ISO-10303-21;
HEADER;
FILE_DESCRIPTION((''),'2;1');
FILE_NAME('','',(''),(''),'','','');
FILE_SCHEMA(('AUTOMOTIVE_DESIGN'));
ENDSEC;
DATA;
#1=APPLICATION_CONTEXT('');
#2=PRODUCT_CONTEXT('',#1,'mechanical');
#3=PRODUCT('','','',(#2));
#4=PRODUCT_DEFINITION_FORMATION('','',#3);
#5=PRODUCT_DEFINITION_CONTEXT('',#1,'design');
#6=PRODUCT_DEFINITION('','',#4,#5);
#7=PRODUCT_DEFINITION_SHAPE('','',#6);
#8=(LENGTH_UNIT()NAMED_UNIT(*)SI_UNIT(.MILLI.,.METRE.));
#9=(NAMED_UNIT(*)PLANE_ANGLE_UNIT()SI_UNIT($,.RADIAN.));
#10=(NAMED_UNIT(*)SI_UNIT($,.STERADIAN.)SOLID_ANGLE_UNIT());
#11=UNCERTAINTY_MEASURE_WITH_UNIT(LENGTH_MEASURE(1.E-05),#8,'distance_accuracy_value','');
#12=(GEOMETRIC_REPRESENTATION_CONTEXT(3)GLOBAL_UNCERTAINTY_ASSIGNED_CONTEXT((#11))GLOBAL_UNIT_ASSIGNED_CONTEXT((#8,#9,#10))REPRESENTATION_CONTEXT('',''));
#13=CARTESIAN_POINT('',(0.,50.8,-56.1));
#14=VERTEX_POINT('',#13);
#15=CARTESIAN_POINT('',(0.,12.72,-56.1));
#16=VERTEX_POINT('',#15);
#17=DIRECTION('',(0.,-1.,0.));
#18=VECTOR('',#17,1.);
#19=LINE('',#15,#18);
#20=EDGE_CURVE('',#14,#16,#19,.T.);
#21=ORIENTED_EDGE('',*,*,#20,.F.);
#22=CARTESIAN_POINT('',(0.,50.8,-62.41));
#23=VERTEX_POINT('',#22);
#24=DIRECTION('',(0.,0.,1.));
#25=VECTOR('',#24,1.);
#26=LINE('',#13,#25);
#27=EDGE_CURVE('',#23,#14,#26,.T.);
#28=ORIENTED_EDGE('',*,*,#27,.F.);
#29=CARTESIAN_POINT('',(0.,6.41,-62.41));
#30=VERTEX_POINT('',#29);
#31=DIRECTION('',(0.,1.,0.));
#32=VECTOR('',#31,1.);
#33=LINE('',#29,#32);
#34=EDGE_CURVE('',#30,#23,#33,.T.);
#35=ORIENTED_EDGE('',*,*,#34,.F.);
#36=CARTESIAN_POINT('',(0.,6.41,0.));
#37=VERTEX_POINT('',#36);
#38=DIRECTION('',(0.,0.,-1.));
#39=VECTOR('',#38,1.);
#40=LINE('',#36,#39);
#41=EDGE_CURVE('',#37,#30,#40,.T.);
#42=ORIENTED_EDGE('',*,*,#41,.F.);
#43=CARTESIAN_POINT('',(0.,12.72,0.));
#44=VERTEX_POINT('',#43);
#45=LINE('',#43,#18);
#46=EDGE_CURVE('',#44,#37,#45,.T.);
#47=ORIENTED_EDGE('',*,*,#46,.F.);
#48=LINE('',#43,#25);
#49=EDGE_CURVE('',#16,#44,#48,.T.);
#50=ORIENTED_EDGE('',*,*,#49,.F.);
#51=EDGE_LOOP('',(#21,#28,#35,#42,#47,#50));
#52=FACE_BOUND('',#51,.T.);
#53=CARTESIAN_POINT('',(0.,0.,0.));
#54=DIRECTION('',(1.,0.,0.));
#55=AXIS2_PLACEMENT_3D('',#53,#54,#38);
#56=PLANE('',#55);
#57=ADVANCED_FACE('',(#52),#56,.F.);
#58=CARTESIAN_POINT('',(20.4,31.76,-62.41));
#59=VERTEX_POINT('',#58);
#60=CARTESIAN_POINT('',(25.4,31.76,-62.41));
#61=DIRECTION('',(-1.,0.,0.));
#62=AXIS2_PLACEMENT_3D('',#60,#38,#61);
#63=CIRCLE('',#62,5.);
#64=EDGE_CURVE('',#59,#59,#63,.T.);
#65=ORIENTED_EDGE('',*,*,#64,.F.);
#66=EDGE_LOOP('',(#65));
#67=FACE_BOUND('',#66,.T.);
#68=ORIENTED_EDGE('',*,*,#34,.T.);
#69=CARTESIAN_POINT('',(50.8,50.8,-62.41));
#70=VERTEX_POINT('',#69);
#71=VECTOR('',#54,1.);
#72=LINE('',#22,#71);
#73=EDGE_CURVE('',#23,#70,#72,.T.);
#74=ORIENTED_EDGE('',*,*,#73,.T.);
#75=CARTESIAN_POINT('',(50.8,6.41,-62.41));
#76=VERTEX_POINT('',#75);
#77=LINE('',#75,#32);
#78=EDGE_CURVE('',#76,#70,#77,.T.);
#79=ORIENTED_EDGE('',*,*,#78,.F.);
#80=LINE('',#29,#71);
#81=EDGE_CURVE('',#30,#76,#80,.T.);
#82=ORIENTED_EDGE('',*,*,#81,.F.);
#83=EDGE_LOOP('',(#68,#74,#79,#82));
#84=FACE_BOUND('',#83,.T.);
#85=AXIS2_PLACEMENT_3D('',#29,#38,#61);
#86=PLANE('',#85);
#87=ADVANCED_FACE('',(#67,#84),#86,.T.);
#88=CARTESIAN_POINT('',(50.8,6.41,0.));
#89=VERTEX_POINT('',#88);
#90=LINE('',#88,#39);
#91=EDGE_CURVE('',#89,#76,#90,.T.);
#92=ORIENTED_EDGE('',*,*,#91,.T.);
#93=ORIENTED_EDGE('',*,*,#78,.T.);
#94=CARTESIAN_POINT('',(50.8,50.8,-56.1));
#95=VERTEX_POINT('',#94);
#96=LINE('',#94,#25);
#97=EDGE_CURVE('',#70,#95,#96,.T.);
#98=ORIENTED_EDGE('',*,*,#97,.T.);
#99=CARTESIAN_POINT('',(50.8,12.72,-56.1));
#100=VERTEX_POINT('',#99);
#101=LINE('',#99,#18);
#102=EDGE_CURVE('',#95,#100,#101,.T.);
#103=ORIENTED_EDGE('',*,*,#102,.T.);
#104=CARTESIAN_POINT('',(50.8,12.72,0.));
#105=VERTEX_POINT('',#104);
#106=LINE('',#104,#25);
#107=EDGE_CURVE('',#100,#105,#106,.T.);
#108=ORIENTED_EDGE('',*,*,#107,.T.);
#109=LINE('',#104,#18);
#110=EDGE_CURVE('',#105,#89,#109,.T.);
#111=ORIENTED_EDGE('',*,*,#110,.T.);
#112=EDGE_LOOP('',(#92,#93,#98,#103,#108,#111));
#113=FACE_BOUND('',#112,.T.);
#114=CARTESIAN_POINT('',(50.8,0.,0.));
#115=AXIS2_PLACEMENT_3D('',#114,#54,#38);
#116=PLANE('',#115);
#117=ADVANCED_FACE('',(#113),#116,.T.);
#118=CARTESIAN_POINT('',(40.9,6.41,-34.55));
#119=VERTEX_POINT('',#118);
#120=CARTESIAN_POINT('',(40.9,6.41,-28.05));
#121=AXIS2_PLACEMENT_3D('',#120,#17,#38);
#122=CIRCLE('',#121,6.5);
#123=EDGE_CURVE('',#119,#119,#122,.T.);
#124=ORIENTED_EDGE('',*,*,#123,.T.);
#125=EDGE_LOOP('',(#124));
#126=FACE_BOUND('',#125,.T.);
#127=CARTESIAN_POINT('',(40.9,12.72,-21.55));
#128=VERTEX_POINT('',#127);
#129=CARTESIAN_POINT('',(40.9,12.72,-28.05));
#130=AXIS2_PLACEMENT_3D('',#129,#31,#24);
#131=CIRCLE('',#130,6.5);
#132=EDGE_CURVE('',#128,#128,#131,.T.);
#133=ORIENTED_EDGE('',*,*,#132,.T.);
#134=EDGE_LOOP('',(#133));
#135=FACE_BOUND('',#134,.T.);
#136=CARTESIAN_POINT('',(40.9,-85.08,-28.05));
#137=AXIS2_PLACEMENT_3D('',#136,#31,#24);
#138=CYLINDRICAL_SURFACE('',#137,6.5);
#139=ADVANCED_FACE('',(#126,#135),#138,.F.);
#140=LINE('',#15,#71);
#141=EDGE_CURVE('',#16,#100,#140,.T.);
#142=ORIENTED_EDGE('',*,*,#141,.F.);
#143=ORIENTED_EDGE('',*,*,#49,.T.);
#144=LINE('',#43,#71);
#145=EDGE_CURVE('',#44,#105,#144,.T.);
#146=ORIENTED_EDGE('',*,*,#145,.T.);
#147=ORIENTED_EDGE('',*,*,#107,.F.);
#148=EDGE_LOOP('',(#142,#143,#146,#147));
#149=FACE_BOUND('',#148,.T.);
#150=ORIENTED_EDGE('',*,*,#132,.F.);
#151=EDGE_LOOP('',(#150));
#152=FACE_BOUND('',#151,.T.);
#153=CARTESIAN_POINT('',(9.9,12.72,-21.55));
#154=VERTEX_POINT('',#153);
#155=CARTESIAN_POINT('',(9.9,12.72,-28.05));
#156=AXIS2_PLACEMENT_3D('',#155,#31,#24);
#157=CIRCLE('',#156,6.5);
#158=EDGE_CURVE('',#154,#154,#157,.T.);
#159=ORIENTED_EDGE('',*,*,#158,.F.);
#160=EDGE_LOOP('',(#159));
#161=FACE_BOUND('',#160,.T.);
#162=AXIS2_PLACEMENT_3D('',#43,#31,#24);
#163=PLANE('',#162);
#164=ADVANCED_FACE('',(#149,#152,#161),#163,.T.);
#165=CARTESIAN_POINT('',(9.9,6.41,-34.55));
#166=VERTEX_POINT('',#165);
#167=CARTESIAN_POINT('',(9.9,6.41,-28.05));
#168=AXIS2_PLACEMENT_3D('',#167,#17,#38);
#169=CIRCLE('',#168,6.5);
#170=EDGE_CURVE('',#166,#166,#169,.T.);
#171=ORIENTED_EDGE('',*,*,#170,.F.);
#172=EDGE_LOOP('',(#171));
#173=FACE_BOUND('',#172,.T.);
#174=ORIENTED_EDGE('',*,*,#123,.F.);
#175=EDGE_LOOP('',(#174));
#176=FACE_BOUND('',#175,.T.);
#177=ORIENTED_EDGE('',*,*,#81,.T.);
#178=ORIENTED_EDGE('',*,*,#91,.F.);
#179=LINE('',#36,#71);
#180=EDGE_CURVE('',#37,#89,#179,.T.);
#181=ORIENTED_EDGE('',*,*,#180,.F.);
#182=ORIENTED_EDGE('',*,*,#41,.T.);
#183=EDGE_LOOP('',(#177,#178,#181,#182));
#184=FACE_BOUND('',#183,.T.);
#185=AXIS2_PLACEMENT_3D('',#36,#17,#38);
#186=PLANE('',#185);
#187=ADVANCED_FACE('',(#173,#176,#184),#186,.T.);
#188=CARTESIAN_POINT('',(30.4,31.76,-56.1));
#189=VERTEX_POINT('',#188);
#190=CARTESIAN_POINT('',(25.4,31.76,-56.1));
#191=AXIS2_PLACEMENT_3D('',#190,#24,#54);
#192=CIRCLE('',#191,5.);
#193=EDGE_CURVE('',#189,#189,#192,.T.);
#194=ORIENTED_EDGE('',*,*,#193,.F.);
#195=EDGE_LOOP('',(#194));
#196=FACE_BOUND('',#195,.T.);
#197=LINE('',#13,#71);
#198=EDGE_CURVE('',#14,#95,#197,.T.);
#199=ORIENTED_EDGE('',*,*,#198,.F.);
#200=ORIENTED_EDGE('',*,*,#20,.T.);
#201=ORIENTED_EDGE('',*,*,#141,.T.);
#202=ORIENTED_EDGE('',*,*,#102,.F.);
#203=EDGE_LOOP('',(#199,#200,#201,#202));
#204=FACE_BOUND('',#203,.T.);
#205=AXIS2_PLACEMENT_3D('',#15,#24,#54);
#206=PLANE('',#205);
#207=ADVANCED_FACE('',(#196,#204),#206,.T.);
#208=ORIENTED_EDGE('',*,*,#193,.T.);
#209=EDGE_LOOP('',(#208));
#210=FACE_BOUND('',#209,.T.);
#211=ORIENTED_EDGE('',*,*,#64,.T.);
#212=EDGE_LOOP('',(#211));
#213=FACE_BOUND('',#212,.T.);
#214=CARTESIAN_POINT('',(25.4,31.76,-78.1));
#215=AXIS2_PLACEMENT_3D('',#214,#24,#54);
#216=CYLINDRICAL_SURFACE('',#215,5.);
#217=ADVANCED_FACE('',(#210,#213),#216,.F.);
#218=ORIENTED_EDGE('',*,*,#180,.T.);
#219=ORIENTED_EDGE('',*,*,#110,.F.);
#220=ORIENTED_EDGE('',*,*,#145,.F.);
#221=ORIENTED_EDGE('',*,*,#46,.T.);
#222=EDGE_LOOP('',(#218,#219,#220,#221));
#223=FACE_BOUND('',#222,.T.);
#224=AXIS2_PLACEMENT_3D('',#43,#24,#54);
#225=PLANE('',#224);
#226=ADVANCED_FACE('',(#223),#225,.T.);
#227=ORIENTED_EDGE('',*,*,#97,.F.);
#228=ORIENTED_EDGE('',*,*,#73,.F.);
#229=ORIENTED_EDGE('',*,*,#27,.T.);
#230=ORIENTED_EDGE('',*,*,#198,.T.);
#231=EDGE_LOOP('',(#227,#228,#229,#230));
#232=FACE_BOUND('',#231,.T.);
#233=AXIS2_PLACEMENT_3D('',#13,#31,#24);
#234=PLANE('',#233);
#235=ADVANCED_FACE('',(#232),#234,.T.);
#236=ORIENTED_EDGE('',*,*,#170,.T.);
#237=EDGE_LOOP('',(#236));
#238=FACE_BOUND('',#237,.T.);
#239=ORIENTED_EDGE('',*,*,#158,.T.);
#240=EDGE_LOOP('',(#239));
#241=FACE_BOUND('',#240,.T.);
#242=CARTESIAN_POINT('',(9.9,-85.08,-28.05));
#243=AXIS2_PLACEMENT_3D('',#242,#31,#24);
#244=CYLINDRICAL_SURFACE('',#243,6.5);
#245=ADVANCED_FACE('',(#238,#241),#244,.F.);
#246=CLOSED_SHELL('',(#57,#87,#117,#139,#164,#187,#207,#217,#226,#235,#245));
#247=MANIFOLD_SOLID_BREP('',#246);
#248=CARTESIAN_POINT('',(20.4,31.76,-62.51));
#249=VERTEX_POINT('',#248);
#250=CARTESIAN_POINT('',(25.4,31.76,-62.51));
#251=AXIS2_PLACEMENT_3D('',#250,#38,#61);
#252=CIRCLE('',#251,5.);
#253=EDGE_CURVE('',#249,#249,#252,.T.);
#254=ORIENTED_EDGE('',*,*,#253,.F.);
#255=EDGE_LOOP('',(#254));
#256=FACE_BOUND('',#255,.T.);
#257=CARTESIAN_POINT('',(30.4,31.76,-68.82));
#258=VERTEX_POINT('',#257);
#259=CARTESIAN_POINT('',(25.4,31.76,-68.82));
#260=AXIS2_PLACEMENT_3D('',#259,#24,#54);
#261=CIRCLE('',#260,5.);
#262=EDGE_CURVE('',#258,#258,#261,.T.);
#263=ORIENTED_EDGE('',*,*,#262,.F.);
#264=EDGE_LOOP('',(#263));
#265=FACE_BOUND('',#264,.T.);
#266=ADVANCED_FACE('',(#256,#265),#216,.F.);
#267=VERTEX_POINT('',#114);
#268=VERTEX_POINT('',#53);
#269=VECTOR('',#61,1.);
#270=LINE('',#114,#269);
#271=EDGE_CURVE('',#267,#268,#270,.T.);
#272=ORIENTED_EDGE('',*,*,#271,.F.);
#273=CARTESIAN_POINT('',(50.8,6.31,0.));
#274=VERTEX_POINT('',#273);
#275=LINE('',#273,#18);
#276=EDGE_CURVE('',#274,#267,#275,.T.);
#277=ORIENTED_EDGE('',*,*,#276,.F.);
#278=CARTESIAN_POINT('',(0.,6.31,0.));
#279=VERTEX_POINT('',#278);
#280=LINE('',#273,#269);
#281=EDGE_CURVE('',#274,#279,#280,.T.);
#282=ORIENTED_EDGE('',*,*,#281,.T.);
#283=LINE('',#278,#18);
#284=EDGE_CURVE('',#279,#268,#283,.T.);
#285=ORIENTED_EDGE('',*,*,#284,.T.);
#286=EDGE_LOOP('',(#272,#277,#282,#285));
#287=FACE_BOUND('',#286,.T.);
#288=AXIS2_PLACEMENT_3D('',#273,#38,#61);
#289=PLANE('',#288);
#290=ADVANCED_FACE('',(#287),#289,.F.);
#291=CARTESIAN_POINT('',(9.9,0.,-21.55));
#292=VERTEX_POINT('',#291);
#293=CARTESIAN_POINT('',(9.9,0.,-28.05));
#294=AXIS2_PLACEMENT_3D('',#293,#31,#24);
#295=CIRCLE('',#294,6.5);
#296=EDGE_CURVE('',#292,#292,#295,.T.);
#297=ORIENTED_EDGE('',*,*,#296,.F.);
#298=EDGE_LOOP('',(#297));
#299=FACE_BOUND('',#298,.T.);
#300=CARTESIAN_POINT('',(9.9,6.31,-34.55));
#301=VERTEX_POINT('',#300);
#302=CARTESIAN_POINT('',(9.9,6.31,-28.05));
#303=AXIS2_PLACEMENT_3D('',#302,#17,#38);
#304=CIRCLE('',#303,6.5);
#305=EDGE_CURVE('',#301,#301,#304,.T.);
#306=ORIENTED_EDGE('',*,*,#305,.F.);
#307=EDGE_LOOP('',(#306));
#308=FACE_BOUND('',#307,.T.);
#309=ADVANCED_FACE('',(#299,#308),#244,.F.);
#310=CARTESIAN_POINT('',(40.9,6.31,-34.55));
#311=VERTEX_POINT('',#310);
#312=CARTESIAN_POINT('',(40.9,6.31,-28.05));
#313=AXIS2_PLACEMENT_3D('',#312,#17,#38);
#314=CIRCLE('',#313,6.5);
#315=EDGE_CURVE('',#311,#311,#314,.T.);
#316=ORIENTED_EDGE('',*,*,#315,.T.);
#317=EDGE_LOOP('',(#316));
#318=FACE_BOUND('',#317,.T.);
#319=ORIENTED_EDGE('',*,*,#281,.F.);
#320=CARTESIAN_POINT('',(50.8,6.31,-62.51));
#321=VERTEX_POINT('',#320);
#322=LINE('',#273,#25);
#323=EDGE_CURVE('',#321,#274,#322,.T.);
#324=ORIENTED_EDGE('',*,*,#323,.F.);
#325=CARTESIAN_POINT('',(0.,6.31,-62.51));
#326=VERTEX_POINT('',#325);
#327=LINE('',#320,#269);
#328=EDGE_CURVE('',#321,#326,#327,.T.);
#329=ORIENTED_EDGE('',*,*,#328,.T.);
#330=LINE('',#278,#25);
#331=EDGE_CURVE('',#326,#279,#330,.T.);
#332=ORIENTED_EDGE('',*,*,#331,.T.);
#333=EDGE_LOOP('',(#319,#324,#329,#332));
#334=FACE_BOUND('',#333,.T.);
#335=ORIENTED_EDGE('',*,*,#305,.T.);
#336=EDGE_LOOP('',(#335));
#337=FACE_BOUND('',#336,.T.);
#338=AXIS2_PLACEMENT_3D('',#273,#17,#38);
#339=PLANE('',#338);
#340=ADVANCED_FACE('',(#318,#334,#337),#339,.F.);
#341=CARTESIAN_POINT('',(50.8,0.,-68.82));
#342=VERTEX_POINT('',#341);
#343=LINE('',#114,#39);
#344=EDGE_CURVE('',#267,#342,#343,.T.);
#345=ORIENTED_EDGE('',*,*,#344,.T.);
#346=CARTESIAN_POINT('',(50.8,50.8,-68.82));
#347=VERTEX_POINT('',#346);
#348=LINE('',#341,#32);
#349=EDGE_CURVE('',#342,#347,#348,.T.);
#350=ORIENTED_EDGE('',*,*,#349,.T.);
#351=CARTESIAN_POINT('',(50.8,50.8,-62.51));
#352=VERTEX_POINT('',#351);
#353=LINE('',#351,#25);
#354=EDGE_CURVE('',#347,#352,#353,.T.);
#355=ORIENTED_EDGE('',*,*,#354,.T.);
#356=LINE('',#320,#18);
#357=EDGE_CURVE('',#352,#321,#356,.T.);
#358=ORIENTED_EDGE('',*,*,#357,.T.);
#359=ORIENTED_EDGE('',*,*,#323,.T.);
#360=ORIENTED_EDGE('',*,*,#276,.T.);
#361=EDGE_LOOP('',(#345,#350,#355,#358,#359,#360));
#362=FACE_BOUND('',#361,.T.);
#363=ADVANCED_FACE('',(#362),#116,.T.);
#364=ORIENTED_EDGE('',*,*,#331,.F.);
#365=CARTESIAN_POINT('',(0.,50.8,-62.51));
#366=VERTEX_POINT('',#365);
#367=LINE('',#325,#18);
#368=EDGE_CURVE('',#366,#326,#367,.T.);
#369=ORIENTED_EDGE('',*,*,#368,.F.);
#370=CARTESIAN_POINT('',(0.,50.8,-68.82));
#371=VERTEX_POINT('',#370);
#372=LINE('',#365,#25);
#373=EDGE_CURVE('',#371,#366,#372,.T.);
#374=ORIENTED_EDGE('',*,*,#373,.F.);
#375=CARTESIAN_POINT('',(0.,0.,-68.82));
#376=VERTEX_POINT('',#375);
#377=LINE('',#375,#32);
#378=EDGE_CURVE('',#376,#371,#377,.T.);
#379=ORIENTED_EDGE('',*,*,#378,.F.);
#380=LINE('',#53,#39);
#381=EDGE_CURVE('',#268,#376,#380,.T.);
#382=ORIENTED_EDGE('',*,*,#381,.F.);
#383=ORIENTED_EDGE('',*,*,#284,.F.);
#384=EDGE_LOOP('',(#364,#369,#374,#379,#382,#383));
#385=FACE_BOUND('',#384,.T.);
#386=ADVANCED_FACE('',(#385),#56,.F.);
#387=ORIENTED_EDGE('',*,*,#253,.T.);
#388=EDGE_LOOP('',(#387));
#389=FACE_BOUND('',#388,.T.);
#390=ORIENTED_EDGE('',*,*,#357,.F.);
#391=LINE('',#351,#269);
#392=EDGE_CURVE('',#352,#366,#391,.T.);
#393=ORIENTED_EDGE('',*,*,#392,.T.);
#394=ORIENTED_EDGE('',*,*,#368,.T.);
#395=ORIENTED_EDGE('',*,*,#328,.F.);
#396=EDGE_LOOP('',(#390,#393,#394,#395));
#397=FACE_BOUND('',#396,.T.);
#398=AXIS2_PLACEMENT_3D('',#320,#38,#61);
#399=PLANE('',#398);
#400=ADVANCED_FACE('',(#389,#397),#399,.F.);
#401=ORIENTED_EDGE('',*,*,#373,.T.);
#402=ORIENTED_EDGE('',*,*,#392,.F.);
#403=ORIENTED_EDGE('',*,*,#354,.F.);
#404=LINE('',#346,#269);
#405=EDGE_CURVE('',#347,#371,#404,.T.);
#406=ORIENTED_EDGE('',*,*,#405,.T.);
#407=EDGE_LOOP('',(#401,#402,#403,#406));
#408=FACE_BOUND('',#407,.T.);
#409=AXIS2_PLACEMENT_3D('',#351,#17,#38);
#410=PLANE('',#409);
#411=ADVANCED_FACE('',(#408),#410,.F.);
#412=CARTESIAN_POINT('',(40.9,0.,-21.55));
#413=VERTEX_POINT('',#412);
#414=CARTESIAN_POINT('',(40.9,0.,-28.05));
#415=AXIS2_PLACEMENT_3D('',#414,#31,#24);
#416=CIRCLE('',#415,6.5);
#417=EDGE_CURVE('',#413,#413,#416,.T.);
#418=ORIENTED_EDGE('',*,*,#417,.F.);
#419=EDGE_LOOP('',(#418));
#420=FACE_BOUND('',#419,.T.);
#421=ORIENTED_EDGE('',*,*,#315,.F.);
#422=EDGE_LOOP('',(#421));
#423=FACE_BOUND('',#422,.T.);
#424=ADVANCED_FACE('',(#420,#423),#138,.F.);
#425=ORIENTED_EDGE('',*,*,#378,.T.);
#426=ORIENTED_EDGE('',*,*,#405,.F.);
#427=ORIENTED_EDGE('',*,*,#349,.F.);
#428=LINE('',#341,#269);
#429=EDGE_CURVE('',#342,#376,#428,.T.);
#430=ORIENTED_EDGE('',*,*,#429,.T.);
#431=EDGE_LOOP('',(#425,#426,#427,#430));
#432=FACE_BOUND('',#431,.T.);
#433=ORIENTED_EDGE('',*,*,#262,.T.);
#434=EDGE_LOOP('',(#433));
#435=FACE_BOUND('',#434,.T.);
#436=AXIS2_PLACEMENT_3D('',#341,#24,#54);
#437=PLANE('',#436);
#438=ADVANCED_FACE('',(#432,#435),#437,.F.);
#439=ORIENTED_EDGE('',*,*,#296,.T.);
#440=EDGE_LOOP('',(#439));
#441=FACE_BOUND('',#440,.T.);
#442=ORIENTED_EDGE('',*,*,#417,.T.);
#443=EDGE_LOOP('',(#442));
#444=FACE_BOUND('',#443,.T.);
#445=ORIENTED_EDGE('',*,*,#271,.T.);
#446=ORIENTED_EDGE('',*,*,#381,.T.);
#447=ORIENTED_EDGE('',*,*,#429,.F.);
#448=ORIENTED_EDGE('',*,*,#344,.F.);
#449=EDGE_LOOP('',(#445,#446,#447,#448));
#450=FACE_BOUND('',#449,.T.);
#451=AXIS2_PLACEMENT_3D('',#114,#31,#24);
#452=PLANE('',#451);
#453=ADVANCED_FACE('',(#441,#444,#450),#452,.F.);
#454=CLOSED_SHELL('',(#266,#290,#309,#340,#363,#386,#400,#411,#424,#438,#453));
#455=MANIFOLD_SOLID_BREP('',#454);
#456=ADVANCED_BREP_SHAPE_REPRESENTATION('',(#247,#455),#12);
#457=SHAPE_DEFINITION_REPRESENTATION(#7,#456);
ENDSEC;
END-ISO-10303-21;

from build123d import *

# Parameters (mm, degrees)
SALIENTE_EXTRUIR1_DEPTH = 50.8
SALIENTE_EXTRUIR2_DEPTH = 50.8
CROQUIS4_R              = 6.5
CORTAR_EXTRUIR1_DEPTH   = 97.8
CROQUIS5_R              = 5
CORTAR_EXTRUIR2_DEPTH   = 22


with BuildPart() as part:
    # Croquis1 → Saliente-Extruir1 (new body)
    with BuildSketch(Plane(origin=(0, 0, 0), x_dir=(0, 0, -1), z_dir=(1, 0, 0))):
        Polygon((0, 0), (68.82, 0), (68.82, 50.8), (62.51, 50.8), (62.51, 6.31), (0, 6.31), align=None)
    extrude(amount=SALIENTE_EXTRUIR1_DEPTH)


with BuildPart() as body_2:
    # Croquis2 → Saliente-Extruir2 (new body)
    with BuildSketch(Plane(origin=(50.8, 0, 0), x_dir=(0, 0, -1), z_dir=(1, 0, 0))):
        Polygon((0, 6.41), (62.41, 6.41), (62.41, 50.8), (56.1, 50.8), (56.1, 12.72), (0, 12.72), align=None)
    extrude(amount=-SALIENTE_EXTRUIR2_DEPTH)


with BuildPart() as cortar_extruir1_tool:
    # Croquis4 → Cortar-Extruir1 (new body)
    with BuildSketch(Plane(origin=(0, 12.72, 0), x_dir=(1, 0, 0), z_dir=(0, 1, 0))):
        with Locations(Location((9.9, 28.05, 0), (0, 0, 270))):
            Circle(CROQUIS4_R)
        with Locations(Location((40.9, 28.05, 0), (0, 0, 270))):
            Circle(CROQUIS4_R)
    extrude(amount=-CORTAR_EXTRUIR1_DEPTH)


with BuildPart() as part_1:
    add(part.part)

    # Cortar-Extruir1: cut by cortar_extruir1_tool
    add(cortar_extruir1_tool.part, mode=Mode.SUBTRACT)


with BuildPart() as body_2_1:
    add(body_2.part)

    # Cortar-Extruir1: cut by cortar_extruir1_tool
    add(cortar_extruir1_tool.part, mode=Mode.SUBTRACT)


with BuildPart() as cortar_extruir2_tool:
    # Croquis5 → Cortar-Extruir2 (new body)
    with BuildSketch(Plane.XY.offset(-56.1)):
        with Locations((25.4, 31.76)):
            Circle(CROQUIS5_R)
    extrude(amount=-CORTAR_EXTRUIR2_DEPTH)


with BuildPart() as part_2:
    add(part_1.part)

    # Cortar-Extruir2: cut by cortar_extruir2_tool
    add(cortar_extruir2_tool.part, mode=Mode.SUBTRACT)


with BuildPart() as body_2_2:
    add(body_2_1.part)

    # Cortar-Extruir2: cut by cortar_extruir2_tool
    add(cortar_extruir2_tool.part, mode=Mode.SUBTRACT)


solid = Compound([part_2.part, body_2_2.part])
